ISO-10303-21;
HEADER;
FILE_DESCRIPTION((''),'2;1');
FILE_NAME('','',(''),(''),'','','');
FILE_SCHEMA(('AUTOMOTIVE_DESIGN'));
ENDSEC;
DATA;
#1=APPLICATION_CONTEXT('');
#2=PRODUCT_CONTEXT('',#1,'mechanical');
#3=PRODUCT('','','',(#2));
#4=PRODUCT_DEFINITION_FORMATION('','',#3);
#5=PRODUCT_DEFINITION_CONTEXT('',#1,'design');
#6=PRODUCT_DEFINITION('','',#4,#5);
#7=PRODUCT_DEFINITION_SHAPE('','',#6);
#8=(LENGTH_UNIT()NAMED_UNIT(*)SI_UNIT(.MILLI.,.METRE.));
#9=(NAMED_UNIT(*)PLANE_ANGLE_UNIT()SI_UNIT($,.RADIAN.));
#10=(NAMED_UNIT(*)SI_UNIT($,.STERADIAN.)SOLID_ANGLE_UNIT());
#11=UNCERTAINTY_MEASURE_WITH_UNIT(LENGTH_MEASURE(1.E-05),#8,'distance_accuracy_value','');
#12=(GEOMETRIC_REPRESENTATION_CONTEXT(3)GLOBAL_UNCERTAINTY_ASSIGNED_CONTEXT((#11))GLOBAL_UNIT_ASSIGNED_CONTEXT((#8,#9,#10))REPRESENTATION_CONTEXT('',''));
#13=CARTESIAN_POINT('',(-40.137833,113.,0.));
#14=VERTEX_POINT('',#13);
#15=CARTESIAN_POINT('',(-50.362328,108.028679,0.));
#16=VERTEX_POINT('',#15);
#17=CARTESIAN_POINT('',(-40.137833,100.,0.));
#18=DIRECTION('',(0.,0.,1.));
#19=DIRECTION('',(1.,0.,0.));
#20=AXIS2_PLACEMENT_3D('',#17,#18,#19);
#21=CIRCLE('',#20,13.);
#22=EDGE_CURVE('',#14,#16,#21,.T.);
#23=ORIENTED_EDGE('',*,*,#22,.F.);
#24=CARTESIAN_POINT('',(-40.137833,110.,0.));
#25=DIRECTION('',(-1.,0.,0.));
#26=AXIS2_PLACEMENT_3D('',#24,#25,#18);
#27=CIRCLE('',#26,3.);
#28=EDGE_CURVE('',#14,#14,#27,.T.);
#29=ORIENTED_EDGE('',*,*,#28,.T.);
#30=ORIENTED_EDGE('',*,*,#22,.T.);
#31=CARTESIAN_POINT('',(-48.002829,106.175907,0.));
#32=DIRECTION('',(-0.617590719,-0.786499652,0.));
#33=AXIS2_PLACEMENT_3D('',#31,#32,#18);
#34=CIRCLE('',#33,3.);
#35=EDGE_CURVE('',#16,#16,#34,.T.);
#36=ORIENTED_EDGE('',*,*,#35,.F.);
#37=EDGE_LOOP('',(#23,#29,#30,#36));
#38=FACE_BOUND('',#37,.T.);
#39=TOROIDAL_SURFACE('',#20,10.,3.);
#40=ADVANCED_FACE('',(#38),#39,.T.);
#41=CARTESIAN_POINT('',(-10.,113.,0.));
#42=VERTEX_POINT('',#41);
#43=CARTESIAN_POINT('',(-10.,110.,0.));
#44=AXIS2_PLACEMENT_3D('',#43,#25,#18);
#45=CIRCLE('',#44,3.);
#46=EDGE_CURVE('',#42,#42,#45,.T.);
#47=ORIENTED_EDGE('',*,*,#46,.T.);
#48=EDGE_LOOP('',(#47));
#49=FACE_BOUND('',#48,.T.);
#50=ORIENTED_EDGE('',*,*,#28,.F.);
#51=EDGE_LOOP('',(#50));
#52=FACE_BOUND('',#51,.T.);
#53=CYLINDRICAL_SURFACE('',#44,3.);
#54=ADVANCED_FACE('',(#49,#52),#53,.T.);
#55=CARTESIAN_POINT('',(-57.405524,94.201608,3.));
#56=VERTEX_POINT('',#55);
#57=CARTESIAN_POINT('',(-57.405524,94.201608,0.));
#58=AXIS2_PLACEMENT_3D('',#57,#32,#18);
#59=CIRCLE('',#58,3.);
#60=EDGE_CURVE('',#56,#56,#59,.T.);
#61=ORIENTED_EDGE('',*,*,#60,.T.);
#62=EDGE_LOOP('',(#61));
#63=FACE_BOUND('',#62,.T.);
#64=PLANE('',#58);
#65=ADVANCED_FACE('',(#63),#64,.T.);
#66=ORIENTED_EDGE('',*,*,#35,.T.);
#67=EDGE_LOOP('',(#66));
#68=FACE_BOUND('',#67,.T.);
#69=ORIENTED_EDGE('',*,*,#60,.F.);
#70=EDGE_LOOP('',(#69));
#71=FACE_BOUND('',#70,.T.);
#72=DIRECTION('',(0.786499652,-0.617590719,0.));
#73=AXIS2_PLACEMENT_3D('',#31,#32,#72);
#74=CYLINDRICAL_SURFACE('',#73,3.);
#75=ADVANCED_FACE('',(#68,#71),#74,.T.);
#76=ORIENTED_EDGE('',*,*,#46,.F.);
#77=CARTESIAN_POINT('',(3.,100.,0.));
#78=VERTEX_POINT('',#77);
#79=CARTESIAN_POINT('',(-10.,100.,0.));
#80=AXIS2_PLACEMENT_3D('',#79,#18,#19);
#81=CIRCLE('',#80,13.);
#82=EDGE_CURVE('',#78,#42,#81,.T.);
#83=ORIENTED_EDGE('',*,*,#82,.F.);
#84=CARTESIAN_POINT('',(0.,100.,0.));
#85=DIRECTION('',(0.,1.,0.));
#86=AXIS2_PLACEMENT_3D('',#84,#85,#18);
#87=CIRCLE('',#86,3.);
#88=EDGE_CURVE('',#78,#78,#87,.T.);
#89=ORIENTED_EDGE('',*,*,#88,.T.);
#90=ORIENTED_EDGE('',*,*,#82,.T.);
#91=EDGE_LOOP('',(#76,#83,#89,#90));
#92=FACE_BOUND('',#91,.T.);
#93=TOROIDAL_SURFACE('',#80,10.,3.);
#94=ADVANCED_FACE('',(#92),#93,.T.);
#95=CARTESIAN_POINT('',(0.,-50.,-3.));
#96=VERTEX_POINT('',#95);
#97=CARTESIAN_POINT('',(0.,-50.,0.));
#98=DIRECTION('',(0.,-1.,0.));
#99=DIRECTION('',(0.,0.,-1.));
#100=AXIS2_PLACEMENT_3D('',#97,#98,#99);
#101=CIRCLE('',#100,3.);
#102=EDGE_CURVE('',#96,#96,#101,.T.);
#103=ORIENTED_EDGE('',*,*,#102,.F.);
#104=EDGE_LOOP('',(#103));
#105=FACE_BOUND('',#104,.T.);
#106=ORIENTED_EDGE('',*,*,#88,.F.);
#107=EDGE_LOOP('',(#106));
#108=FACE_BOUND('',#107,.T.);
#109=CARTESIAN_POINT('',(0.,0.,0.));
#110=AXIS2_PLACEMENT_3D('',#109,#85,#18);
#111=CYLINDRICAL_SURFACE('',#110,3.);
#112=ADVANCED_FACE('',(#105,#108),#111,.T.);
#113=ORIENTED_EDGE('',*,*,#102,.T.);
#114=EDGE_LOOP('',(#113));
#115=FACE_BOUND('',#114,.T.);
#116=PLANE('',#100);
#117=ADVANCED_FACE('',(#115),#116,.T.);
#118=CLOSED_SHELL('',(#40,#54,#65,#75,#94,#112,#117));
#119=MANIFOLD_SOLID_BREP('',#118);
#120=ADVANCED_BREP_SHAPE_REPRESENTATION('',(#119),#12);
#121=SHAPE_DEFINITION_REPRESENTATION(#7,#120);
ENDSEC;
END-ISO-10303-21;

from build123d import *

# Parameters (mm, degrees)
SKETCH2_R           = 3
SKETCH4_R           = 3
BOSS_EXTRUDE1_DEPTH = 30
SKETCH5_R           = 3
BOSS_EXTRUDE2_DEPTH = 20


with BuildPart() as part:
    # Sweep1: sweep along a path in Sketch1
    with BuildLine(Plane.XY) as sweep1_path:
        Line((0, 0), (0, 100))
        ThreePointArc((0, 100), (-2.928932188, 107.071067812), (-10, 110))
        Line((-10, 110), (-40.137832809, 110))
        ThreePointArc((-40.137832809, 110), (-44.510528091, 108.993305064), (-48.002829333, 106.175907194))
        Line((-48.002829333, 106.175907194), (-57.405523913, 94.201608056))
    # Sketch2 → Sweep1 (sweep)
    with BuildSketch(Plane(origin=(0, 0, 0), x_dir=(1, 0, 0), z_dir=(0, 1, 0))):
        Circle(SKETCH2_R)
    sweep(path=sweep1_path.line)

    # Sketch4 → Boss-Extrude1 (add)
    with BuildSketch(Plane.XZ):
        Circle(SKETCH4_R)
    extrude(amount=BOSS_EXTRUDE1_DEPTH)

    # Sketch5 → Boss-Extrude2 (add)
    with BuildSketch(Plane.XZ.offset(30)):
        Circle(SKETCH5_R)
    extrude(amount=BOSS_EXTRUDE2_DEPTH)


solid = part.part
